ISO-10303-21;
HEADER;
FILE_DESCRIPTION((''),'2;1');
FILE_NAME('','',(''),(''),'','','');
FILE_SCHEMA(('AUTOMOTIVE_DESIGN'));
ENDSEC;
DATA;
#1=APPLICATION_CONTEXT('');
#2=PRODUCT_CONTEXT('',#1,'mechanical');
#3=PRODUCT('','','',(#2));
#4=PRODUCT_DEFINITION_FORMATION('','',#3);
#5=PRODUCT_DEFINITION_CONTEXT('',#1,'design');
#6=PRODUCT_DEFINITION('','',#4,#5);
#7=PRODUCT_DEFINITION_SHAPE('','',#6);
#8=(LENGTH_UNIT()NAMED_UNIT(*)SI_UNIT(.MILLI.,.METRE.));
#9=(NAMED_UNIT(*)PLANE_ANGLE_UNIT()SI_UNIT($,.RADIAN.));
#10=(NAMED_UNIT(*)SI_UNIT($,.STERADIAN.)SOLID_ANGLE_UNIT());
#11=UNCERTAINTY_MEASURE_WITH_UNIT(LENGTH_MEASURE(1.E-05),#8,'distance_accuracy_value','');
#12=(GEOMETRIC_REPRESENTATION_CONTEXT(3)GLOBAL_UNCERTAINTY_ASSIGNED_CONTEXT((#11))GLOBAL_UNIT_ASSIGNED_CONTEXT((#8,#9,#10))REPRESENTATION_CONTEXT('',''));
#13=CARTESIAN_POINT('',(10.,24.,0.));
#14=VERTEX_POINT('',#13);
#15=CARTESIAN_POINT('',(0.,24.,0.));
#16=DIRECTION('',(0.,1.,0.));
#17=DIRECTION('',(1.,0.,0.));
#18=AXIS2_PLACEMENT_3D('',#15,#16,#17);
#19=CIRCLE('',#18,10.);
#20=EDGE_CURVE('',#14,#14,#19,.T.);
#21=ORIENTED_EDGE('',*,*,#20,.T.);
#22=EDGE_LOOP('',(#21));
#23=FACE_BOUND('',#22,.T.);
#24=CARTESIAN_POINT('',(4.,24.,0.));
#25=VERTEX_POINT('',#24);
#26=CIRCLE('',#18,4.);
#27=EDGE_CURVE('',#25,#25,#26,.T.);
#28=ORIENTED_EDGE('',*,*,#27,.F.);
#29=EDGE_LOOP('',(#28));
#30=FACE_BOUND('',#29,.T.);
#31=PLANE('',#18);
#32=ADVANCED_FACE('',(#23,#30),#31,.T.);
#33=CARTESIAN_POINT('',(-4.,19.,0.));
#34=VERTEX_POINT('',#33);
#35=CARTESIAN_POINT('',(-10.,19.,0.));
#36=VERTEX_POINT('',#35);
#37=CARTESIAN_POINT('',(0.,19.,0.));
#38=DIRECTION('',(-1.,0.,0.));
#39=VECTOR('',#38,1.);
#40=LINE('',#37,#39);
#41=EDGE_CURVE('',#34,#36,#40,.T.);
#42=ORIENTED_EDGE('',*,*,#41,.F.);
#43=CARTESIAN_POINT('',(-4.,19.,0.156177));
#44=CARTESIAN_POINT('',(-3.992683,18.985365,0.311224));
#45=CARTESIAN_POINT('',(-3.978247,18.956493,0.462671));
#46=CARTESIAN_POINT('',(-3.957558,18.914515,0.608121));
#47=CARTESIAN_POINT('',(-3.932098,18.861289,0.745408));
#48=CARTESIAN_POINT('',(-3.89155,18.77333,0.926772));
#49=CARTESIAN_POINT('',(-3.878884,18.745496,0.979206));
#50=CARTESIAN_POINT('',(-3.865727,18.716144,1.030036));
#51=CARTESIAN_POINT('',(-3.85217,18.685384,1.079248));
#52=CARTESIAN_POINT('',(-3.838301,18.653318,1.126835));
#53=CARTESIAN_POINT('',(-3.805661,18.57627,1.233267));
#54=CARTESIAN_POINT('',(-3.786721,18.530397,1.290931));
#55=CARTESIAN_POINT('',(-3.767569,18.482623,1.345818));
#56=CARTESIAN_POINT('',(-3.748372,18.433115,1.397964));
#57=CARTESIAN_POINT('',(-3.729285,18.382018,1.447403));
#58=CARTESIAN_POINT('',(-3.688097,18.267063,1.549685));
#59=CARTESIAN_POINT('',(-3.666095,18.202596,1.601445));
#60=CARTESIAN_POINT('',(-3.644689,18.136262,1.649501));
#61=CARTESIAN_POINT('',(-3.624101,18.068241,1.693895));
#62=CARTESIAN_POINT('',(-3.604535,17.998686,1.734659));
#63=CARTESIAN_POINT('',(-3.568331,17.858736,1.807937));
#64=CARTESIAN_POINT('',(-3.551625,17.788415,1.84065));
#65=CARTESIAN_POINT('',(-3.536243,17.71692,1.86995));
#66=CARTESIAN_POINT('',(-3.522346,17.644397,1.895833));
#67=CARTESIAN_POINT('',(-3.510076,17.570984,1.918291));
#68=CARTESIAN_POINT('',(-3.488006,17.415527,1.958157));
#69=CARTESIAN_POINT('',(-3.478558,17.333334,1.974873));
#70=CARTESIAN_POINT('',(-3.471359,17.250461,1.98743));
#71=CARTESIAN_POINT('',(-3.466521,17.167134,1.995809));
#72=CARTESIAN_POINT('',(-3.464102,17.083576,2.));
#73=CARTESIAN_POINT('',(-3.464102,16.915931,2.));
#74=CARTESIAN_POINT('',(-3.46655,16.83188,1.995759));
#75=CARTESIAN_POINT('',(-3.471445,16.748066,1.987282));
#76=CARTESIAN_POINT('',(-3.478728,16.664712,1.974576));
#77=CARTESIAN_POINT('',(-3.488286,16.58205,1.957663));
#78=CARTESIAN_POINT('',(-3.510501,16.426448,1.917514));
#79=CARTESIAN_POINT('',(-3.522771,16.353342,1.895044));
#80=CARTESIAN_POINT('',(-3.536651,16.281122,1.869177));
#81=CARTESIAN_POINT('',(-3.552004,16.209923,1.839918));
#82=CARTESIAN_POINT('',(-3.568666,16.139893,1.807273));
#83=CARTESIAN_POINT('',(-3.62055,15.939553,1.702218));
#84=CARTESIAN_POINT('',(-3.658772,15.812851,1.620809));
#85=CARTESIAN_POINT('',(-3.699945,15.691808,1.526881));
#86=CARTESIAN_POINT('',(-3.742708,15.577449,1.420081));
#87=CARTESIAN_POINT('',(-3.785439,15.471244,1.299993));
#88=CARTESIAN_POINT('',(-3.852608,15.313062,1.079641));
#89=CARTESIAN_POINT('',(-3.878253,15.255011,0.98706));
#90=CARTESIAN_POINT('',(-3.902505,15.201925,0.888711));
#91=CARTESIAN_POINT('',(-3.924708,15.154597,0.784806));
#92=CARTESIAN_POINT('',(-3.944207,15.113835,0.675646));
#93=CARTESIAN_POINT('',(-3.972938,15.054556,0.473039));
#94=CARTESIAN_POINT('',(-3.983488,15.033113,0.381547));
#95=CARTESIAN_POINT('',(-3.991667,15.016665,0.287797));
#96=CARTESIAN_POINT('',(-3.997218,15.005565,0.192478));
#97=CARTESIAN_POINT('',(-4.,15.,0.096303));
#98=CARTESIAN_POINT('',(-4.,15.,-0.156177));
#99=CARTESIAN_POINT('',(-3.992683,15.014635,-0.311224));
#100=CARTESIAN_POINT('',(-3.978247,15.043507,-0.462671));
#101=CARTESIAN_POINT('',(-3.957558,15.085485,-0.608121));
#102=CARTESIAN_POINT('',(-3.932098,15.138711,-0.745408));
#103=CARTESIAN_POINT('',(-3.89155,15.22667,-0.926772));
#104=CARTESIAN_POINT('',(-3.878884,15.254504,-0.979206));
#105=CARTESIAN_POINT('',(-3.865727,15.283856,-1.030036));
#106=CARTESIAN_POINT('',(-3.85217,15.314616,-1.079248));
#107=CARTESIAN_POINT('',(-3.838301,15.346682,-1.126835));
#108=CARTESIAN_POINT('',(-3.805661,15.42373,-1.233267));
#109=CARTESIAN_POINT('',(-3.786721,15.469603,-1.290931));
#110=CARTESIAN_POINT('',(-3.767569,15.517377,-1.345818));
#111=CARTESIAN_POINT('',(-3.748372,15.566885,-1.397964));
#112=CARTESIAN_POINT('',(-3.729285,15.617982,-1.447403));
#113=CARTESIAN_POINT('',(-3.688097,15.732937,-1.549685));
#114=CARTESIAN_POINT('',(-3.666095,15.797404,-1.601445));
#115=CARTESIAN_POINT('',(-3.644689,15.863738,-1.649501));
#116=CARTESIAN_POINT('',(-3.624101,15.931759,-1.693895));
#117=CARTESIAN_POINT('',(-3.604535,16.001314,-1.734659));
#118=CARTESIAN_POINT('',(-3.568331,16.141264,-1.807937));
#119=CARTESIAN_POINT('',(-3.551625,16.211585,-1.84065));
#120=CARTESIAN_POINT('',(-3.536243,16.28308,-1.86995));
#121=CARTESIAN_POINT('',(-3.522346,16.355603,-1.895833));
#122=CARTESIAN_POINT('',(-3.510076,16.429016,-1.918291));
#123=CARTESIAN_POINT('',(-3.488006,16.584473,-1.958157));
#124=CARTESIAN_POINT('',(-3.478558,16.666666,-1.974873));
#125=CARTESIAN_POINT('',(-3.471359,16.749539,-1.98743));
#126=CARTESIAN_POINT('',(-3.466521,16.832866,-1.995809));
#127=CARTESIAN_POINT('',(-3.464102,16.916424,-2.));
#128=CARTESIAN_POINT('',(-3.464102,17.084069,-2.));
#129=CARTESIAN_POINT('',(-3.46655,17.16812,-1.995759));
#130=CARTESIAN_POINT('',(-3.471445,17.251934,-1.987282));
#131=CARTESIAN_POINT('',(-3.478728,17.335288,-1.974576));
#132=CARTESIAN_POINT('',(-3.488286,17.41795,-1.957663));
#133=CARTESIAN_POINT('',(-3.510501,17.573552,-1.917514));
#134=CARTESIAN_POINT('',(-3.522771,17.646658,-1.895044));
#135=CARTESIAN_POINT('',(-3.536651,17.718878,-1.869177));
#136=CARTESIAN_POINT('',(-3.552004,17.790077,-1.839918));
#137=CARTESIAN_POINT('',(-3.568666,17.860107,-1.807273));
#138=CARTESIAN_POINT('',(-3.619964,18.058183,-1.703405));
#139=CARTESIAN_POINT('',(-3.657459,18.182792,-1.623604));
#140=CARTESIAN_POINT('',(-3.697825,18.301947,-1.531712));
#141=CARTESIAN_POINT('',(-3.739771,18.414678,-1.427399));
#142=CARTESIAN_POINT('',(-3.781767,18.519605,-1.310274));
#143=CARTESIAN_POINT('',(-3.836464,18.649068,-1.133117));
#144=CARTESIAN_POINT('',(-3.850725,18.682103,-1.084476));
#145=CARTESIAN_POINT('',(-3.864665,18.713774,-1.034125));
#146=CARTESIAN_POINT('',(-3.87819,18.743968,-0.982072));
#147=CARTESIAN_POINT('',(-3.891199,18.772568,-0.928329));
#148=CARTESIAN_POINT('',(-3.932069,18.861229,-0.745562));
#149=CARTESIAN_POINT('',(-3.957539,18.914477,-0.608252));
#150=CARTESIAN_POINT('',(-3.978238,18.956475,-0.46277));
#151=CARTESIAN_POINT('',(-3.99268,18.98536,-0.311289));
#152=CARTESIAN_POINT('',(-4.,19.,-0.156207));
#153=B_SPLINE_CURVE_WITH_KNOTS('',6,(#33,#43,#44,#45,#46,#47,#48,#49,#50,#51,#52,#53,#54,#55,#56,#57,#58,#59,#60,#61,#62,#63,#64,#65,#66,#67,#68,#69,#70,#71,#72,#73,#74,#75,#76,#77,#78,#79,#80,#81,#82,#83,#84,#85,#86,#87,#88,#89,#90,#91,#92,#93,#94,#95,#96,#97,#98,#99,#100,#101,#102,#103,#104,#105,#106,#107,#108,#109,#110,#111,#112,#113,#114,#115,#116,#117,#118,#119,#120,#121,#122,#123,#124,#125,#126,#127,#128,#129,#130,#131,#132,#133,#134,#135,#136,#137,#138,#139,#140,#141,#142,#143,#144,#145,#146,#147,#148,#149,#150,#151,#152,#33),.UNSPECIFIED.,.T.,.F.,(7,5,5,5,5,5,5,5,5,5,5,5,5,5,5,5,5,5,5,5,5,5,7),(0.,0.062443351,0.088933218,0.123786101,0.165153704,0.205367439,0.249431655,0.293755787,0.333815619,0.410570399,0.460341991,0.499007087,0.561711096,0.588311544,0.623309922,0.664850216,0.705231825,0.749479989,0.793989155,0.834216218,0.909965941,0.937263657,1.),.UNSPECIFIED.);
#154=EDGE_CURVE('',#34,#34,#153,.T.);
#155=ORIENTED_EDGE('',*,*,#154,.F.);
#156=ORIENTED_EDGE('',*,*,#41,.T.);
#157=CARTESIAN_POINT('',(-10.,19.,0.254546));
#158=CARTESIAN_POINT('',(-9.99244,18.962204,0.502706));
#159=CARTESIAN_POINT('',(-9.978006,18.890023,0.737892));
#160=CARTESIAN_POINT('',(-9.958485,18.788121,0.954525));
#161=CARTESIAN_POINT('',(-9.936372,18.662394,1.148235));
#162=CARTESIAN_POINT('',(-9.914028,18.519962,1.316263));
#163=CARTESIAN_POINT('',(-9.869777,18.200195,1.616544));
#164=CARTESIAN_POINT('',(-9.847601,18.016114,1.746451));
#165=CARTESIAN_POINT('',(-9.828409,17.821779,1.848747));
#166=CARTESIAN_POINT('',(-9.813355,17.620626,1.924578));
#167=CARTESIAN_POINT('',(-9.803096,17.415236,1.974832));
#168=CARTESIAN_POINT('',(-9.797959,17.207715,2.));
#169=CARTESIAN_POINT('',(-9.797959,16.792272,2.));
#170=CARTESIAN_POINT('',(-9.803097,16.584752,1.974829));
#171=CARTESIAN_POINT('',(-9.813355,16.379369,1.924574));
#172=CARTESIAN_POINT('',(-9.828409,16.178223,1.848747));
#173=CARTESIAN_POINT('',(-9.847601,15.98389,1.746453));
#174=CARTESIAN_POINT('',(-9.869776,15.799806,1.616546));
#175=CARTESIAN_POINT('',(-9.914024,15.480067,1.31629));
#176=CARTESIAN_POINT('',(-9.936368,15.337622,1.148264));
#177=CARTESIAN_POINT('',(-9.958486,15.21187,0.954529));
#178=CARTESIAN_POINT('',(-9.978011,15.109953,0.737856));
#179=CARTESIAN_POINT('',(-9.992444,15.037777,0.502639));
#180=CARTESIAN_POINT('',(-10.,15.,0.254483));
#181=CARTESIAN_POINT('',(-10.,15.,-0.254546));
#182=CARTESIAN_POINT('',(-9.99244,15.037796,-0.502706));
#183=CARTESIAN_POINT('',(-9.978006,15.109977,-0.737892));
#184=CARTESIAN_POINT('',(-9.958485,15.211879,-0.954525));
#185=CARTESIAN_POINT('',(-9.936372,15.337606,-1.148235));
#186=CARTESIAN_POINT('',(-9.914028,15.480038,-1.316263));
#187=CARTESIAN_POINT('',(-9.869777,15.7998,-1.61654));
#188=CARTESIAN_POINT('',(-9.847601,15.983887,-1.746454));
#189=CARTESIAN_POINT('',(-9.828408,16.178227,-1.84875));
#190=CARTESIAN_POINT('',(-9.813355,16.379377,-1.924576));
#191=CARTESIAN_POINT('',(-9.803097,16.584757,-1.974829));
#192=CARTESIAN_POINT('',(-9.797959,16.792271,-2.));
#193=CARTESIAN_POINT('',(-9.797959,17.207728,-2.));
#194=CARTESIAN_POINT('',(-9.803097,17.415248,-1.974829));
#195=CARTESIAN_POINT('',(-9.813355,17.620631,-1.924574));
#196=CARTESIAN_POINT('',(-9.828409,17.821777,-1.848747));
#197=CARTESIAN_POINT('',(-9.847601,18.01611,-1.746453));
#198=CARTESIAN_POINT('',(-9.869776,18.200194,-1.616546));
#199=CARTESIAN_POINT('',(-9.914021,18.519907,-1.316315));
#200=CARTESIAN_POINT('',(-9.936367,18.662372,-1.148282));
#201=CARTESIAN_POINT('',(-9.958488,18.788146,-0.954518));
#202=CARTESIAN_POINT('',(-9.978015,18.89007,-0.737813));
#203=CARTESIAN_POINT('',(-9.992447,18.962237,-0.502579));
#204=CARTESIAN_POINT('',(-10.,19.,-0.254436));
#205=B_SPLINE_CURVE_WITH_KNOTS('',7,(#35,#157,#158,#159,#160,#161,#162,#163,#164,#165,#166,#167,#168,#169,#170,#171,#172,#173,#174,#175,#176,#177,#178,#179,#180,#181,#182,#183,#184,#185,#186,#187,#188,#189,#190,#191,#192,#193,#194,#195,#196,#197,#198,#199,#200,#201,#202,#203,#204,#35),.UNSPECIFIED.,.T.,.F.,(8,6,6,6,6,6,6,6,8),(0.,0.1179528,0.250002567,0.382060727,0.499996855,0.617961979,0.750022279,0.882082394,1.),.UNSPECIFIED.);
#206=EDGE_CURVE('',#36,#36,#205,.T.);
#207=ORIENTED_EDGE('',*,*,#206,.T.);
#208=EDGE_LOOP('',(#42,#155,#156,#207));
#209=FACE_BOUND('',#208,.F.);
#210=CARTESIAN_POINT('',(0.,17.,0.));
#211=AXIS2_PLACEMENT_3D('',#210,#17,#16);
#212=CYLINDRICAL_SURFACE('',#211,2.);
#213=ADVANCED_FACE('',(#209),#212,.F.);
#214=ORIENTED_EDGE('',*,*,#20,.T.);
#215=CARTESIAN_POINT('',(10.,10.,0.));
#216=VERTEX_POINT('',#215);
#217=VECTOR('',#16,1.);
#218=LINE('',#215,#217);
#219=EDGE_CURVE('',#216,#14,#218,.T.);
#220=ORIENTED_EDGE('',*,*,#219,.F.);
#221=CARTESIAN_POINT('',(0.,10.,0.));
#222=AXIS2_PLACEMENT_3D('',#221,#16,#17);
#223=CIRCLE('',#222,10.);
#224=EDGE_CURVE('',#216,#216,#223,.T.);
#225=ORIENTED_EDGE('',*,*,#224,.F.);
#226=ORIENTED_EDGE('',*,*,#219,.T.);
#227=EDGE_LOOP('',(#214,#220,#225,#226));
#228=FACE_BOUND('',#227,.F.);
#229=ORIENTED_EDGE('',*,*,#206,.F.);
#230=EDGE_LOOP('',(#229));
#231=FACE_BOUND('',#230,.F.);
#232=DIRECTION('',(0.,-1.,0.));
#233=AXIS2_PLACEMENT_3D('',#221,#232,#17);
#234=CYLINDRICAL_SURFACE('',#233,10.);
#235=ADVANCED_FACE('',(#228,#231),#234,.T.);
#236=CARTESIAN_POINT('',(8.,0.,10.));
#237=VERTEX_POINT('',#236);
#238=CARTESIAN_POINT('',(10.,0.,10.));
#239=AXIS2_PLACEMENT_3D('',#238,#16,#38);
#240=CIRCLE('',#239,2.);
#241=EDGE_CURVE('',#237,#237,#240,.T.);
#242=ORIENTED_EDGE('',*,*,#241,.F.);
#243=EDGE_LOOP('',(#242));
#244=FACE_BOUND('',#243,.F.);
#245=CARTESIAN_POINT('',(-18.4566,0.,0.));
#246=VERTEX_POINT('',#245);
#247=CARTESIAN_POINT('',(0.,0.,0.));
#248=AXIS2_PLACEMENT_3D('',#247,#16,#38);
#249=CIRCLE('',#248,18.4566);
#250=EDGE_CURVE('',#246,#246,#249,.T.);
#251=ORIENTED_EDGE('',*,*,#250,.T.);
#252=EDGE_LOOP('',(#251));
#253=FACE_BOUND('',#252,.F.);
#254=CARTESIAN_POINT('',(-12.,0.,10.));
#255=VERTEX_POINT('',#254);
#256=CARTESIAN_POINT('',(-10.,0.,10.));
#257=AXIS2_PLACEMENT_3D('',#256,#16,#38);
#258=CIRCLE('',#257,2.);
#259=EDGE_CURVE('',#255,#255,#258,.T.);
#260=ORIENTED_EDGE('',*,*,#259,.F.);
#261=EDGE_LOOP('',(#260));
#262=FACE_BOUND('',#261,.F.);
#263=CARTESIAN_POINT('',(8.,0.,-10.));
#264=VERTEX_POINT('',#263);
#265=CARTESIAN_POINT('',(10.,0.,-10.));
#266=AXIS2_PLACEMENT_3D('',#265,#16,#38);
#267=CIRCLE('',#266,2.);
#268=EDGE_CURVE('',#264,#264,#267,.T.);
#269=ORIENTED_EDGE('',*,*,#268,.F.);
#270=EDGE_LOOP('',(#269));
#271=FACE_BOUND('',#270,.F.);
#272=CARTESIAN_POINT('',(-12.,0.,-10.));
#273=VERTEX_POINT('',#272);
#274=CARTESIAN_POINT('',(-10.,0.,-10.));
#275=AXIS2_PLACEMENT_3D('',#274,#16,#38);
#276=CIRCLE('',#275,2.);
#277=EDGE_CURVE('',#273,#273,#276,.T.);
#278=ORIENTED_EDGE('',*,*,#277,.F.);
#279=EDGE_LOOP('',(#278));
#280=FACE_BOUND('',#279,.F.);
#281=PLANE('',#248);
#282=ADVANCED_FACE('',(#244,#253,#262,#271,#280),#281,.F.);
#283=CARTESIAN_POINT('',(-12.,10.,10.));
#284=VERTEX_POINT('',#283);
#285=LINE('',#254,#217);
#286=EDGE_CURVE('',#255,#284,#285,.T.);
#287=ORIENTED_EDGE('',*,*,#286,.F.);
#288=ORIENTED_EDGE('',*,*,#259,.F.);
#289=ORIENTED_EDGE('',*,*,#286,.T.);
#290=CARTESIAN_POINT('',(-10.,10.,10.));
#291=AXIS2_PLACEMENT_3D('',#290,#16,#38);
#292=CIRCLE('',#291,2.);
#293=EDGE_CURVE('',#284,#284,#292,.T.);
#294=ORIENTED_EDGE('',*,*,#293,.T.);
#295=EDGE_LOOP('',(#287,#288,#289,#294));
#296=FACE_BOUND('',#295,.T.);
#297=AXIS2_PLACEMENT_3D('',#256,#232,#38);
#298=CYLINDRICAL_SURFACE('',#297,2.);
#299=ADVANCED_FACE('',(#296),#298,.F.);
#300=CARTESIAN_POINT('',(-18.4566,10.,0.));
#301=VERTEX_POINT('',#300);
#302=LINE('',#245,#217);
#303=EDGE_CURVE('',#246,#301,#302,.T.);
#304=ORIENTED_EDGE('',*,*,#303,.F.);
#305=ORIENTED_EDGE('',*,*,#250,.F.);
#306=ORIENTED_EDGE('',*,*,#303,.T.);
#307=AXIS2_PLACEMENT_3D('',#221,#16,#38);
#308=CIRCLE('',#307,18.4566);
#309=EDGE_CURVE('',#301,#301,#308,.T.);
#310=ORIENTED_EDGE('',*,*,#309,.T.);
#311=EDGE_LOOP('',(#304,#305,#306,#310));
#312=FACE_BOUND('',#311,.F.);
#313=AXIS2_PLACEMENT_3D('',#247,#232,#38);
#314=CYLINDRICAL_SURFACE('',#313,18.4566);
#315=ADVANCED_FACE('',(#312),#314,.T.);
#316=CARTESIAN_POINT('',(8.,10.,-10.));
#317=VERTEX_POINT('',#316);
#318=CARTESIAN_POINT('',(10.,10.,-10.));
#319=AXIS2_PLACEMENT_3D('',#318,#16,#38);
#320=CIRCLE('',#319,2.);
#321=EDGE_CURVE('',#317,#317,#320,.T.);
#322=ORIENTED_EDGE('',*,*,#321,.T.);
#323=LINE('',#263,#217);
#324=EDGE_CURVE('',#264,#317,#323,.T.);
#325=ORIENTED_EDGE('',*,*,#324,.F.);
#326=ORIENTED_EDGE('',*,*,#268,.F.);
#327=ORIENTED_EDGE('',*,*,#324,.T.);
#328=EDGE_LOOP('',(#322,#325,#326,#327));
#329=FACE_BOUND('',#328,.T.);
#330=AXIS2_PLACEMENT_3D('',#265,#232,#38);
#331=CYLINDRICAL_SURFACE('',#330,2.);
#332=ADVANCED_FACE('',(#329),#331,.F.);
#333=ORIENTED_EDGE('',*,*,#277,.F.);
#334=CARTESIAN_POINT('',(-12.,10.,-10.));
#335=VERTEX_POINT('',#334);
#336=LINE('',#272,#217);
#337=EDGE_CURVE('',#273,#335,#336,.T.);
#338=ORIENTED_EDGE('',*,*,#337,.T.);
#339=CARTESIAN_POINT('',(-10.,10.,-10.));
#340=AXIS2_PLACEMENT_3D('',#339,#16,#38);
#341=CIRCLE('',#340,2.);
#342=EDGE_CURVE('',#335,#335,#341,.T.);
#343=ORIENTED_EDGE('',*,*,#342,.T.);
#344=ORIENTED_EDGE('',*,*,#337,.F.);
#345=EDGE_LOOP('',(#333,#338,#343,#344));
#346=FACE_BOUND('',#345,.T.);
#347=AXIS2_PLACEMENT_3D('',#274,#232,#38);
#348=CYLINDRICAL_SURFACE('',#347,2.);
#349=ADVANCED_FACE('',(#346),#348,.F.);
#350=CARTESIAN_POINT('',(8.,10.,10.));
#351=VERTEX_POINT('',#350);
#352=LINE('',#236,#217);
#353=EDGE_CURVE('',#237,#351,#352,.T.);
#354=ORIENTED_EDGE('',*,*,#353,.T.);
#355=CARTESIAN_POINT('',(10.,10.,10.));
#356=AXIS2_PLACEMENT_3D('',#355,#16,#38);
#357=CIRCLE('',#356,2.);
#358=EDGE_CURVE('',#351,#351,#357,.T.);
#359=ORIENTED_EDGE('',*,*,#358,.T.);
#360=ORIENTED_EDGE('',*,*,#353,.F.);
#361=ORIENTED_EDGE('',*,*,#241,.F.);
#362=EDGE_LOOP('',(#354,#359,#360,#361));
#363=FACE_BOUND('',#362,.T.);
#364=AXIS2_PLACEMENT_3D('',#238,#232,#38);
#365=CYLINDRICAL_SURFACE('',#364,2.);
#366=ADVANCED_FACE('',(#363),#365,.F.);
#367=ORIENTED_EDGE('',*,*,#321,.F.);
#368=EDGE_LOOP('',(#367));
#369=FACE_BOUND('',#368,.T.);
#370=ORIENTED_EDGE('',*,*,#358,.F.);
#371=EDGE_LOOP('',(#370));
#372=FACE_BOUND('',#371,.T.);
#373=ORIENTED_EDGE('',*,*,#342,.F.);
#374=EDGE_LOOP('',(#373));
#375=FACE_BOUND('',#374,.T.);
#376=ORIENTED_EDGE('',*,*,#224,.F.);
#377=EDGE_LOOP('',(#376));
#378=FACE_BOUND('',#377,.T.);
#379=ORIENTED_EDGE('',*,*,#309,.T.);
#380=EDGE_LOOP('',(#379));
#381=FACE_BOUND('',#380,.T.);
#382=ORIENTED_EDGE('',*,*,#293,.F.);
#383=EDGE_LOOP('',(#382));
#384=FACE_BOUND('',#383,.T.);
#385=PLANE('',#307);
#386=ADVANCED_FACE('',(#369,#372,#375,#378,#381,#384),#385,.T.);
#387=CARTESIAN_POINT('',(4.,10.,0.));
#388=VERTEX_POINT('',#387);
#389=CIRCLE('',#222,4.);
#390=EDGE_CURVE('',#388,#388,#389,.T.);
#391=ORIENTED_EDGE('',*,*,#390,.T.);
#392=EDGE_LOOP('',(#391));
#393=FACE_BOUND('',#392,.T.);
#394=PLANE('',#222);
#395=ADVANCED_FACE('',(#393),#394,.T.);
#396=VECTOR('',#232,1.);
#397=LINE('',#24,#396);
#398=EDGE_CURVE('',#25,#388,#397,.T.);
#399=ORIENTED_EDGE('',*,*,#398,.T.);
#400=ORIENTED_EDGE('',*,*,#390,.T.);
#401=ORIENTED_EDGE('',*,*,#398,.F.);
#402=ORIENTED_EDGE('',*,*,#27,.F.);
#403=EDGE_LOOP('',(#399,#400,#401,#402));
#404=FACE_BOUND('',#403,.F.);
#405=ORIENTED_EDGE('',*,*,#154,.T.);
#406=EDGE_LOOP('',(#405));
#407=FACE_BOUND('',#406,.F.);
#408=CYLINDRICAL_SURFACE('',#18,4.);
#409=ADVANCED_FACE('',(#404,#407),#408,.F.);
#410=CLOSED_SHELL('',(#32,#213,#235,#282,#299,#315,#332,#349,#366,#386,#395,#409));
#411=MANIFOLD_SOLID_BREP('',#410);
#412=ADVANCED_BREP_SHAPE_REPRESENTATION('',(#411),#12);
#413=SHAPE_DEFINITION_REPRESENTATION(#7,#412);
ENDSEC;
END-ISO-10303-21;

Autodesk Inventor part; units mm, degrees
ref_plane "YZ Plane" through (0, 0, 0) normal (1, 0, 0) x (0, 1, 0)
ref_plane "XZ Plane" through (0, 0, 0) normal (0, 1, 0) x (-1, 0, 0)
ref_plane "XY Plane" through (0, 0, 0) normal (0, 0, 1) x (1, 0, 0)
sketch "Sketch1" plane through (0, 0, 0) normal (0, 1, 0) x (-1, 0, 0)
  circle A0 centre (0, 0) radius 18.4566
  circle A1 centre (10, 10) radius 2
  circle A2 centre (10, -10) radius 2
  circle A3 centre (-10, -10) radius 2
  circle A4 centre (-10, 10) radius 2
  point P0 (8.8496, 0)
extrude "Extrusion1" add sketch "Sketch1" along normal blind 10
sketch "Sketch2" plane through (0, 10, 0) normal (0, 1, 0) x (1, 0, 0)
  circle A0 centre (0, 0) radius 10
  dimension "d2" = 20
extrude "Extrusion2" add sketch "Sketch2" along normal blind 14
sketch "Sketch3" plane through (0, 24, 0) normal (0, 1, 0) x (1, 0, 0)
  circle A0 centre (0, 0) radius 4
  dimension "d5" = 8
extrude "Extrusion3" cut sketch "Sketch3" against normal blind 14
sketch "Sketch4" plane through (0, 0, 0) normal (1, 0, 0) x (0, 1, 0)
  line L0 (24, -10) -> (24, 10) projected
  line L1 (24, 0) -> (17, 0)
  circle A0 centre (17, 0) radius 2
  point P0 (0, 0)
  dimension "d8" = 7
  dimension "d9" = 4
extrude "Extrusion4" cut sketch "Sketch4" against normal blind 14
sketch "Sketch5" plane through (0, 10, 0) normal (0, 1, 0) x (1, 0, 0)
  circle A0 centre (0, 0) radius 10 projected
  circle A1 centre (0, 0) radius 18.4566 projected
  circle A2 centre (10, -10) radius 2 projected
  circle A3 centre (10, 10) radius 2 projected
  circle A4 centre (-10, 10) radius 2 projected
  circle A5 centre (-10, -10) radius 2 projected
  circle A6 centre (-10, -10) radius 2 projected
  circle A7 centre (-10, -10) radius 4.1421
  circle A8 centre (0, 0) radius 10 projected
  circle A9 centre (-10, 10) radius 2 projected
  circle A10 centre (-10, 10) radius 4.1421
properties part number "perilla"
